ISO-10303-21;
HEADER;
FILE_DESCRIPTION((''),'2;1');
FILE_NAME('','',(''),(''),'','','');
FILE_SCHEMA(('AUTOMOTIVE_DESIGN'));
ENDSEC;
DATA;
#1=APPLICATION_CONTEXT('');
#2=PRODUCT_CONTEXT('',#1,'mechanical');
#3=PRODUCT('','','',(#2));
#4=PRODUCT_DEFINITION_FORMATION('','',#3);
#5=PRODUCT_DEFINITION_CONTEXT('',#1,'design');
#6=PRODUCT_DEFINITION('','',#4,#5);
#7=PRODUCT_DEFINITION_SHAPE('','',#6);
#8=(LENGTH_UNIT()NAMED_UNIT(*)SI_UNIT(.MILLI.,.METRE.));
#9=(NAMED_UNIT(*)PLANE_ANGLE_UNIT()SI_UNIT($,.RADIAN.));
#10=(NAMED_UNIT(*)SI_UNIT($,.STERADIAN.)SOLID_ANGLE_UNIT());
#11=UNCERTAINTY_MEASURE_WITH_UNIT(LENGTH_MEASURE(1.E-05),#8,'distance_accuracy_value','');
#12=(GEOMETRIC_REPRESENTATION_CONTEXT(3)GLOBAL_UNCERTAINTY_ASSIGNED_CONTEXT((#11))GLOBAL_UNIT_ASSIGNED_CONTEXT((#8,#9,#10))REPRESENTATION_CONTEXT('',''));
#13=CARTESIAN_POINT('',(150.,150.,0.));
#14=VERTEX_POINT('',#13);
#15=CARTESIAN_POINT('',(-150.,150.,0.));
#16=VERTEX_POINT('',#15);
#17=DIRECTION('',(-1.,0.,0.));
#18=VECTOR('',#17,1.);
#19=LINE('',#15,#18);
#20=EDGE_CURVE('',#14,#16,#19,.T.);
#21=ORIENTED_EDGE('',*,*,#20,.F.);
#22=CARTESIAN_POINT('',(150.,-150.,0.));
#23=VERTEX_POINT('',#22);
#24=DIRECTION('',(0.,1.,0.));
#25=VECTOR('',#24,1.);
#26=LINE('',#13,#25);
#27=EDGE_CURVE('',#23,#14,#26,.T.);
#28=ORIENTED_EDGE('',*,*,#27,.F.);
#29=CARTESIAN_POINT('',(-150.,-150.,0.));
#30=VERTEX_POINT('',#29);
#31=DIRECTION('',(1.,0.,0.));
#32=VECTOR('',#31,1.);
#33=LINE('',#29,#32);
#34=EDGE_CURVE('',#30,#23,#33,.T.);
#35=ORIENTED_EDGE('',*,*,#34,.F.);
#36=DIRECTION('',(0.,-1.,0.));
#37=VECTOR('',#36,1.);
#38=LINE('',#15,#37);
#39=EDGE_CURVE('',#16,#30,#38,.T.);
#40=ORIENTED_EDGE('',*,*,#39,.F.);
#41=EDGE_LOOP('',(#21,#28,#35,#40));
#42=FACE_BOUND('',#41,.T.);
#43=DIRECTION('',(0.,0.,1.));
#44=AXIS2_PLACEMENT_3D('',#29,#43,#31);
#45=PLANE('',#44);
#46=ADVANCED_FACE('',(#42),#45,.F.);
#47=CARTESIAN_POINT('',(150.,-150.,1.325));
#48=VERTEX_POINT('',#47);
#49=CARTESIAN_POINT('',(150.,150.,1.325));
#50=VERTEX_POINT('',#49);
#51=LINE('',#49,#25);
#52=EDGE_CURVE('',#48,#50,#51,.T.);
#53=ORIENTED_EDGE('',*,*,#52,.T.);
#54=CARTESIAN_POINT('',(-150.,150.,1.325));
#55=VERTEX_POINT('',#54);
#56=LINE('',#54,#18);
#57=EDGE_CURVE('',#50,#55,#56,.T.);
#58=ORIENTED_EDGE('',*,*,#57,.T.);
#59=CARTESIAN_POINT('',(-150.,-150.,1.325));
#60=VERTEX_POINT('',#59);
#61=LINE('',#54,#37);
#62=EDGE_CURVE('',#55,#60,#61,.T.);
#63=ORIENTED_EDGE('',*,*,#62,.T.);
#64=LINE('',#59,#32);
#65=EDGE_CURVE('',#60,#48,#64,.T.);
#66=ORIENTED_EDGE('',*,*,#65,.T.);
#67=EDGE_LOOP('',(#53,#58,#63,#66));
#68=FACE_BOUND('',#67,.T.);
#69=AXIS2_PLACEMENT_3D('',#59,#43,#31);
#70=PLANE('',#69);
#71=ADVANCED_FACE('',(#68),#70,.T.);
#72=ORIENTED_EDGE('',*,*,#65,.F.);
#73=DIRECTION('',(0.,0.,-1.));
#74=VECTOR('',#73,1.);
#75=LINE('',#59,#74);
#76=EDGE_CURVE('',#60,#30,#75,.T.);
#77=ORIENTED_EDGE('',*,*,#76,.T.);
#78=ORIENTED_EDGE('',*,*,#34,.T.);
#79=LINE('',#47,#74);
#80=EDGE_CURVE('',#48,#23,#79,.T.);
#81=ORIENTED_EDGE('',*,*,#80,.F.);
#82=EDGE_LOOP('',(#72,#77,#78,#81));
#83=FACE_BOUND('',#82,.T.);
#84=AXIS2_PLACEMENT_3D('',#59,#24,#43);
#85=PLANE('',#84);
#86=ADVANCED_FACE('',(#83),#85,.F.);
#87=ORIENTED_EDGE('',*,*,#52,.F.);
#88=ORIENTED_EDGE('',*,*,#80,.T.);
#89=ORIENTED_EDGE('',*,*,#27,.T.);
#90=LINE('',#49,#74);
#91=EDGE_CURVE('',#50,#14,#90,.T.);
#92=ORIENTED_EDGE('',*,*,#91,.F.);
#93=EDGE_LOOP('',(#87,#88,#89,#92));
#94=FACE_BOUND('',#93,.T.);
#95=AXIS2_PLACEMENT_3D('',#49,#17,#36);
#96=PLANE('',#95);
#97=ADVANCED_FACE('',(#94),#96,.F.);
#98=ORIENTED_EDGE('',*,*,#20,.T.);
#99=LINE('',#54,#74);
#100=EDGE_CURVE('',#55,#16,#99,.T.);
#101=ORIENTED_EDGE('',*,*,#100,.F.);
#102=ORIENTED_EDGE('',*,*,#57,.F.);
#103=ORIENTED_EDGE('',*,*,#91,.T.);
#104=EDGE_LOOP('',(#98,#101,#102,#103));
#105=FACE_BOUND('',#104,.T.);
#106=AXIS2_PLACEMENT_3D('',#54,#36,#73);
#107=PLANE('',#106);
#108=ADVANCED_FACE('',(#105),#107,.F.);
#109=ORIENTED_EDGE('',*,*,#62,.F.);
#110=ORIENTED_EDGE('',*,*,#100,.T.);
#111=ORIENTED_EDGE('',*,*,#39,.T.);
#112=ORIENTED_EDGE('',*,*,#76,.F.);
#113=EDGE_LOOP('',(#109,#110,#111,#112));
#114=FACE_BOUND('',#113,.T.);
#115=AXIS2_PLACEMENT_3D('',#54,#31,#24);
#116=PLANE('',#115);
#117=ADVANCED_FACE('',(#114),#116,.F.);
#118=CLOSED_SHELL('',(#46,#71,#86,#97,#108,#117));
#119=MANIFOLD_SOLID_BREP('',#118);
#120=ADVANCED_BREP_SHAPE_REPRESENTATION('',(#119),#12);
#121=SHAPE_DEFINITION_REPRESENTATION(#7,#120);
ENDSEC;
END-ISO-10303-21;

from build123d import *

# Parameters (mm, degrees)
SKETCH1_W           = 300
SKETCH1_H           = 300
BOSS_EXTRUDE1_DEPTH = 1.325


with BuildPart() as part:
    # Sketch1 → Boss-Extrude1 (new body)
    with BuildSketch(Plane.XY):
        Rectangle(SKETCH1_W, SKETCH1_H)
    extrude(amount=BOSS_EXTRUDE1_DEPTH)


solid = part.part
